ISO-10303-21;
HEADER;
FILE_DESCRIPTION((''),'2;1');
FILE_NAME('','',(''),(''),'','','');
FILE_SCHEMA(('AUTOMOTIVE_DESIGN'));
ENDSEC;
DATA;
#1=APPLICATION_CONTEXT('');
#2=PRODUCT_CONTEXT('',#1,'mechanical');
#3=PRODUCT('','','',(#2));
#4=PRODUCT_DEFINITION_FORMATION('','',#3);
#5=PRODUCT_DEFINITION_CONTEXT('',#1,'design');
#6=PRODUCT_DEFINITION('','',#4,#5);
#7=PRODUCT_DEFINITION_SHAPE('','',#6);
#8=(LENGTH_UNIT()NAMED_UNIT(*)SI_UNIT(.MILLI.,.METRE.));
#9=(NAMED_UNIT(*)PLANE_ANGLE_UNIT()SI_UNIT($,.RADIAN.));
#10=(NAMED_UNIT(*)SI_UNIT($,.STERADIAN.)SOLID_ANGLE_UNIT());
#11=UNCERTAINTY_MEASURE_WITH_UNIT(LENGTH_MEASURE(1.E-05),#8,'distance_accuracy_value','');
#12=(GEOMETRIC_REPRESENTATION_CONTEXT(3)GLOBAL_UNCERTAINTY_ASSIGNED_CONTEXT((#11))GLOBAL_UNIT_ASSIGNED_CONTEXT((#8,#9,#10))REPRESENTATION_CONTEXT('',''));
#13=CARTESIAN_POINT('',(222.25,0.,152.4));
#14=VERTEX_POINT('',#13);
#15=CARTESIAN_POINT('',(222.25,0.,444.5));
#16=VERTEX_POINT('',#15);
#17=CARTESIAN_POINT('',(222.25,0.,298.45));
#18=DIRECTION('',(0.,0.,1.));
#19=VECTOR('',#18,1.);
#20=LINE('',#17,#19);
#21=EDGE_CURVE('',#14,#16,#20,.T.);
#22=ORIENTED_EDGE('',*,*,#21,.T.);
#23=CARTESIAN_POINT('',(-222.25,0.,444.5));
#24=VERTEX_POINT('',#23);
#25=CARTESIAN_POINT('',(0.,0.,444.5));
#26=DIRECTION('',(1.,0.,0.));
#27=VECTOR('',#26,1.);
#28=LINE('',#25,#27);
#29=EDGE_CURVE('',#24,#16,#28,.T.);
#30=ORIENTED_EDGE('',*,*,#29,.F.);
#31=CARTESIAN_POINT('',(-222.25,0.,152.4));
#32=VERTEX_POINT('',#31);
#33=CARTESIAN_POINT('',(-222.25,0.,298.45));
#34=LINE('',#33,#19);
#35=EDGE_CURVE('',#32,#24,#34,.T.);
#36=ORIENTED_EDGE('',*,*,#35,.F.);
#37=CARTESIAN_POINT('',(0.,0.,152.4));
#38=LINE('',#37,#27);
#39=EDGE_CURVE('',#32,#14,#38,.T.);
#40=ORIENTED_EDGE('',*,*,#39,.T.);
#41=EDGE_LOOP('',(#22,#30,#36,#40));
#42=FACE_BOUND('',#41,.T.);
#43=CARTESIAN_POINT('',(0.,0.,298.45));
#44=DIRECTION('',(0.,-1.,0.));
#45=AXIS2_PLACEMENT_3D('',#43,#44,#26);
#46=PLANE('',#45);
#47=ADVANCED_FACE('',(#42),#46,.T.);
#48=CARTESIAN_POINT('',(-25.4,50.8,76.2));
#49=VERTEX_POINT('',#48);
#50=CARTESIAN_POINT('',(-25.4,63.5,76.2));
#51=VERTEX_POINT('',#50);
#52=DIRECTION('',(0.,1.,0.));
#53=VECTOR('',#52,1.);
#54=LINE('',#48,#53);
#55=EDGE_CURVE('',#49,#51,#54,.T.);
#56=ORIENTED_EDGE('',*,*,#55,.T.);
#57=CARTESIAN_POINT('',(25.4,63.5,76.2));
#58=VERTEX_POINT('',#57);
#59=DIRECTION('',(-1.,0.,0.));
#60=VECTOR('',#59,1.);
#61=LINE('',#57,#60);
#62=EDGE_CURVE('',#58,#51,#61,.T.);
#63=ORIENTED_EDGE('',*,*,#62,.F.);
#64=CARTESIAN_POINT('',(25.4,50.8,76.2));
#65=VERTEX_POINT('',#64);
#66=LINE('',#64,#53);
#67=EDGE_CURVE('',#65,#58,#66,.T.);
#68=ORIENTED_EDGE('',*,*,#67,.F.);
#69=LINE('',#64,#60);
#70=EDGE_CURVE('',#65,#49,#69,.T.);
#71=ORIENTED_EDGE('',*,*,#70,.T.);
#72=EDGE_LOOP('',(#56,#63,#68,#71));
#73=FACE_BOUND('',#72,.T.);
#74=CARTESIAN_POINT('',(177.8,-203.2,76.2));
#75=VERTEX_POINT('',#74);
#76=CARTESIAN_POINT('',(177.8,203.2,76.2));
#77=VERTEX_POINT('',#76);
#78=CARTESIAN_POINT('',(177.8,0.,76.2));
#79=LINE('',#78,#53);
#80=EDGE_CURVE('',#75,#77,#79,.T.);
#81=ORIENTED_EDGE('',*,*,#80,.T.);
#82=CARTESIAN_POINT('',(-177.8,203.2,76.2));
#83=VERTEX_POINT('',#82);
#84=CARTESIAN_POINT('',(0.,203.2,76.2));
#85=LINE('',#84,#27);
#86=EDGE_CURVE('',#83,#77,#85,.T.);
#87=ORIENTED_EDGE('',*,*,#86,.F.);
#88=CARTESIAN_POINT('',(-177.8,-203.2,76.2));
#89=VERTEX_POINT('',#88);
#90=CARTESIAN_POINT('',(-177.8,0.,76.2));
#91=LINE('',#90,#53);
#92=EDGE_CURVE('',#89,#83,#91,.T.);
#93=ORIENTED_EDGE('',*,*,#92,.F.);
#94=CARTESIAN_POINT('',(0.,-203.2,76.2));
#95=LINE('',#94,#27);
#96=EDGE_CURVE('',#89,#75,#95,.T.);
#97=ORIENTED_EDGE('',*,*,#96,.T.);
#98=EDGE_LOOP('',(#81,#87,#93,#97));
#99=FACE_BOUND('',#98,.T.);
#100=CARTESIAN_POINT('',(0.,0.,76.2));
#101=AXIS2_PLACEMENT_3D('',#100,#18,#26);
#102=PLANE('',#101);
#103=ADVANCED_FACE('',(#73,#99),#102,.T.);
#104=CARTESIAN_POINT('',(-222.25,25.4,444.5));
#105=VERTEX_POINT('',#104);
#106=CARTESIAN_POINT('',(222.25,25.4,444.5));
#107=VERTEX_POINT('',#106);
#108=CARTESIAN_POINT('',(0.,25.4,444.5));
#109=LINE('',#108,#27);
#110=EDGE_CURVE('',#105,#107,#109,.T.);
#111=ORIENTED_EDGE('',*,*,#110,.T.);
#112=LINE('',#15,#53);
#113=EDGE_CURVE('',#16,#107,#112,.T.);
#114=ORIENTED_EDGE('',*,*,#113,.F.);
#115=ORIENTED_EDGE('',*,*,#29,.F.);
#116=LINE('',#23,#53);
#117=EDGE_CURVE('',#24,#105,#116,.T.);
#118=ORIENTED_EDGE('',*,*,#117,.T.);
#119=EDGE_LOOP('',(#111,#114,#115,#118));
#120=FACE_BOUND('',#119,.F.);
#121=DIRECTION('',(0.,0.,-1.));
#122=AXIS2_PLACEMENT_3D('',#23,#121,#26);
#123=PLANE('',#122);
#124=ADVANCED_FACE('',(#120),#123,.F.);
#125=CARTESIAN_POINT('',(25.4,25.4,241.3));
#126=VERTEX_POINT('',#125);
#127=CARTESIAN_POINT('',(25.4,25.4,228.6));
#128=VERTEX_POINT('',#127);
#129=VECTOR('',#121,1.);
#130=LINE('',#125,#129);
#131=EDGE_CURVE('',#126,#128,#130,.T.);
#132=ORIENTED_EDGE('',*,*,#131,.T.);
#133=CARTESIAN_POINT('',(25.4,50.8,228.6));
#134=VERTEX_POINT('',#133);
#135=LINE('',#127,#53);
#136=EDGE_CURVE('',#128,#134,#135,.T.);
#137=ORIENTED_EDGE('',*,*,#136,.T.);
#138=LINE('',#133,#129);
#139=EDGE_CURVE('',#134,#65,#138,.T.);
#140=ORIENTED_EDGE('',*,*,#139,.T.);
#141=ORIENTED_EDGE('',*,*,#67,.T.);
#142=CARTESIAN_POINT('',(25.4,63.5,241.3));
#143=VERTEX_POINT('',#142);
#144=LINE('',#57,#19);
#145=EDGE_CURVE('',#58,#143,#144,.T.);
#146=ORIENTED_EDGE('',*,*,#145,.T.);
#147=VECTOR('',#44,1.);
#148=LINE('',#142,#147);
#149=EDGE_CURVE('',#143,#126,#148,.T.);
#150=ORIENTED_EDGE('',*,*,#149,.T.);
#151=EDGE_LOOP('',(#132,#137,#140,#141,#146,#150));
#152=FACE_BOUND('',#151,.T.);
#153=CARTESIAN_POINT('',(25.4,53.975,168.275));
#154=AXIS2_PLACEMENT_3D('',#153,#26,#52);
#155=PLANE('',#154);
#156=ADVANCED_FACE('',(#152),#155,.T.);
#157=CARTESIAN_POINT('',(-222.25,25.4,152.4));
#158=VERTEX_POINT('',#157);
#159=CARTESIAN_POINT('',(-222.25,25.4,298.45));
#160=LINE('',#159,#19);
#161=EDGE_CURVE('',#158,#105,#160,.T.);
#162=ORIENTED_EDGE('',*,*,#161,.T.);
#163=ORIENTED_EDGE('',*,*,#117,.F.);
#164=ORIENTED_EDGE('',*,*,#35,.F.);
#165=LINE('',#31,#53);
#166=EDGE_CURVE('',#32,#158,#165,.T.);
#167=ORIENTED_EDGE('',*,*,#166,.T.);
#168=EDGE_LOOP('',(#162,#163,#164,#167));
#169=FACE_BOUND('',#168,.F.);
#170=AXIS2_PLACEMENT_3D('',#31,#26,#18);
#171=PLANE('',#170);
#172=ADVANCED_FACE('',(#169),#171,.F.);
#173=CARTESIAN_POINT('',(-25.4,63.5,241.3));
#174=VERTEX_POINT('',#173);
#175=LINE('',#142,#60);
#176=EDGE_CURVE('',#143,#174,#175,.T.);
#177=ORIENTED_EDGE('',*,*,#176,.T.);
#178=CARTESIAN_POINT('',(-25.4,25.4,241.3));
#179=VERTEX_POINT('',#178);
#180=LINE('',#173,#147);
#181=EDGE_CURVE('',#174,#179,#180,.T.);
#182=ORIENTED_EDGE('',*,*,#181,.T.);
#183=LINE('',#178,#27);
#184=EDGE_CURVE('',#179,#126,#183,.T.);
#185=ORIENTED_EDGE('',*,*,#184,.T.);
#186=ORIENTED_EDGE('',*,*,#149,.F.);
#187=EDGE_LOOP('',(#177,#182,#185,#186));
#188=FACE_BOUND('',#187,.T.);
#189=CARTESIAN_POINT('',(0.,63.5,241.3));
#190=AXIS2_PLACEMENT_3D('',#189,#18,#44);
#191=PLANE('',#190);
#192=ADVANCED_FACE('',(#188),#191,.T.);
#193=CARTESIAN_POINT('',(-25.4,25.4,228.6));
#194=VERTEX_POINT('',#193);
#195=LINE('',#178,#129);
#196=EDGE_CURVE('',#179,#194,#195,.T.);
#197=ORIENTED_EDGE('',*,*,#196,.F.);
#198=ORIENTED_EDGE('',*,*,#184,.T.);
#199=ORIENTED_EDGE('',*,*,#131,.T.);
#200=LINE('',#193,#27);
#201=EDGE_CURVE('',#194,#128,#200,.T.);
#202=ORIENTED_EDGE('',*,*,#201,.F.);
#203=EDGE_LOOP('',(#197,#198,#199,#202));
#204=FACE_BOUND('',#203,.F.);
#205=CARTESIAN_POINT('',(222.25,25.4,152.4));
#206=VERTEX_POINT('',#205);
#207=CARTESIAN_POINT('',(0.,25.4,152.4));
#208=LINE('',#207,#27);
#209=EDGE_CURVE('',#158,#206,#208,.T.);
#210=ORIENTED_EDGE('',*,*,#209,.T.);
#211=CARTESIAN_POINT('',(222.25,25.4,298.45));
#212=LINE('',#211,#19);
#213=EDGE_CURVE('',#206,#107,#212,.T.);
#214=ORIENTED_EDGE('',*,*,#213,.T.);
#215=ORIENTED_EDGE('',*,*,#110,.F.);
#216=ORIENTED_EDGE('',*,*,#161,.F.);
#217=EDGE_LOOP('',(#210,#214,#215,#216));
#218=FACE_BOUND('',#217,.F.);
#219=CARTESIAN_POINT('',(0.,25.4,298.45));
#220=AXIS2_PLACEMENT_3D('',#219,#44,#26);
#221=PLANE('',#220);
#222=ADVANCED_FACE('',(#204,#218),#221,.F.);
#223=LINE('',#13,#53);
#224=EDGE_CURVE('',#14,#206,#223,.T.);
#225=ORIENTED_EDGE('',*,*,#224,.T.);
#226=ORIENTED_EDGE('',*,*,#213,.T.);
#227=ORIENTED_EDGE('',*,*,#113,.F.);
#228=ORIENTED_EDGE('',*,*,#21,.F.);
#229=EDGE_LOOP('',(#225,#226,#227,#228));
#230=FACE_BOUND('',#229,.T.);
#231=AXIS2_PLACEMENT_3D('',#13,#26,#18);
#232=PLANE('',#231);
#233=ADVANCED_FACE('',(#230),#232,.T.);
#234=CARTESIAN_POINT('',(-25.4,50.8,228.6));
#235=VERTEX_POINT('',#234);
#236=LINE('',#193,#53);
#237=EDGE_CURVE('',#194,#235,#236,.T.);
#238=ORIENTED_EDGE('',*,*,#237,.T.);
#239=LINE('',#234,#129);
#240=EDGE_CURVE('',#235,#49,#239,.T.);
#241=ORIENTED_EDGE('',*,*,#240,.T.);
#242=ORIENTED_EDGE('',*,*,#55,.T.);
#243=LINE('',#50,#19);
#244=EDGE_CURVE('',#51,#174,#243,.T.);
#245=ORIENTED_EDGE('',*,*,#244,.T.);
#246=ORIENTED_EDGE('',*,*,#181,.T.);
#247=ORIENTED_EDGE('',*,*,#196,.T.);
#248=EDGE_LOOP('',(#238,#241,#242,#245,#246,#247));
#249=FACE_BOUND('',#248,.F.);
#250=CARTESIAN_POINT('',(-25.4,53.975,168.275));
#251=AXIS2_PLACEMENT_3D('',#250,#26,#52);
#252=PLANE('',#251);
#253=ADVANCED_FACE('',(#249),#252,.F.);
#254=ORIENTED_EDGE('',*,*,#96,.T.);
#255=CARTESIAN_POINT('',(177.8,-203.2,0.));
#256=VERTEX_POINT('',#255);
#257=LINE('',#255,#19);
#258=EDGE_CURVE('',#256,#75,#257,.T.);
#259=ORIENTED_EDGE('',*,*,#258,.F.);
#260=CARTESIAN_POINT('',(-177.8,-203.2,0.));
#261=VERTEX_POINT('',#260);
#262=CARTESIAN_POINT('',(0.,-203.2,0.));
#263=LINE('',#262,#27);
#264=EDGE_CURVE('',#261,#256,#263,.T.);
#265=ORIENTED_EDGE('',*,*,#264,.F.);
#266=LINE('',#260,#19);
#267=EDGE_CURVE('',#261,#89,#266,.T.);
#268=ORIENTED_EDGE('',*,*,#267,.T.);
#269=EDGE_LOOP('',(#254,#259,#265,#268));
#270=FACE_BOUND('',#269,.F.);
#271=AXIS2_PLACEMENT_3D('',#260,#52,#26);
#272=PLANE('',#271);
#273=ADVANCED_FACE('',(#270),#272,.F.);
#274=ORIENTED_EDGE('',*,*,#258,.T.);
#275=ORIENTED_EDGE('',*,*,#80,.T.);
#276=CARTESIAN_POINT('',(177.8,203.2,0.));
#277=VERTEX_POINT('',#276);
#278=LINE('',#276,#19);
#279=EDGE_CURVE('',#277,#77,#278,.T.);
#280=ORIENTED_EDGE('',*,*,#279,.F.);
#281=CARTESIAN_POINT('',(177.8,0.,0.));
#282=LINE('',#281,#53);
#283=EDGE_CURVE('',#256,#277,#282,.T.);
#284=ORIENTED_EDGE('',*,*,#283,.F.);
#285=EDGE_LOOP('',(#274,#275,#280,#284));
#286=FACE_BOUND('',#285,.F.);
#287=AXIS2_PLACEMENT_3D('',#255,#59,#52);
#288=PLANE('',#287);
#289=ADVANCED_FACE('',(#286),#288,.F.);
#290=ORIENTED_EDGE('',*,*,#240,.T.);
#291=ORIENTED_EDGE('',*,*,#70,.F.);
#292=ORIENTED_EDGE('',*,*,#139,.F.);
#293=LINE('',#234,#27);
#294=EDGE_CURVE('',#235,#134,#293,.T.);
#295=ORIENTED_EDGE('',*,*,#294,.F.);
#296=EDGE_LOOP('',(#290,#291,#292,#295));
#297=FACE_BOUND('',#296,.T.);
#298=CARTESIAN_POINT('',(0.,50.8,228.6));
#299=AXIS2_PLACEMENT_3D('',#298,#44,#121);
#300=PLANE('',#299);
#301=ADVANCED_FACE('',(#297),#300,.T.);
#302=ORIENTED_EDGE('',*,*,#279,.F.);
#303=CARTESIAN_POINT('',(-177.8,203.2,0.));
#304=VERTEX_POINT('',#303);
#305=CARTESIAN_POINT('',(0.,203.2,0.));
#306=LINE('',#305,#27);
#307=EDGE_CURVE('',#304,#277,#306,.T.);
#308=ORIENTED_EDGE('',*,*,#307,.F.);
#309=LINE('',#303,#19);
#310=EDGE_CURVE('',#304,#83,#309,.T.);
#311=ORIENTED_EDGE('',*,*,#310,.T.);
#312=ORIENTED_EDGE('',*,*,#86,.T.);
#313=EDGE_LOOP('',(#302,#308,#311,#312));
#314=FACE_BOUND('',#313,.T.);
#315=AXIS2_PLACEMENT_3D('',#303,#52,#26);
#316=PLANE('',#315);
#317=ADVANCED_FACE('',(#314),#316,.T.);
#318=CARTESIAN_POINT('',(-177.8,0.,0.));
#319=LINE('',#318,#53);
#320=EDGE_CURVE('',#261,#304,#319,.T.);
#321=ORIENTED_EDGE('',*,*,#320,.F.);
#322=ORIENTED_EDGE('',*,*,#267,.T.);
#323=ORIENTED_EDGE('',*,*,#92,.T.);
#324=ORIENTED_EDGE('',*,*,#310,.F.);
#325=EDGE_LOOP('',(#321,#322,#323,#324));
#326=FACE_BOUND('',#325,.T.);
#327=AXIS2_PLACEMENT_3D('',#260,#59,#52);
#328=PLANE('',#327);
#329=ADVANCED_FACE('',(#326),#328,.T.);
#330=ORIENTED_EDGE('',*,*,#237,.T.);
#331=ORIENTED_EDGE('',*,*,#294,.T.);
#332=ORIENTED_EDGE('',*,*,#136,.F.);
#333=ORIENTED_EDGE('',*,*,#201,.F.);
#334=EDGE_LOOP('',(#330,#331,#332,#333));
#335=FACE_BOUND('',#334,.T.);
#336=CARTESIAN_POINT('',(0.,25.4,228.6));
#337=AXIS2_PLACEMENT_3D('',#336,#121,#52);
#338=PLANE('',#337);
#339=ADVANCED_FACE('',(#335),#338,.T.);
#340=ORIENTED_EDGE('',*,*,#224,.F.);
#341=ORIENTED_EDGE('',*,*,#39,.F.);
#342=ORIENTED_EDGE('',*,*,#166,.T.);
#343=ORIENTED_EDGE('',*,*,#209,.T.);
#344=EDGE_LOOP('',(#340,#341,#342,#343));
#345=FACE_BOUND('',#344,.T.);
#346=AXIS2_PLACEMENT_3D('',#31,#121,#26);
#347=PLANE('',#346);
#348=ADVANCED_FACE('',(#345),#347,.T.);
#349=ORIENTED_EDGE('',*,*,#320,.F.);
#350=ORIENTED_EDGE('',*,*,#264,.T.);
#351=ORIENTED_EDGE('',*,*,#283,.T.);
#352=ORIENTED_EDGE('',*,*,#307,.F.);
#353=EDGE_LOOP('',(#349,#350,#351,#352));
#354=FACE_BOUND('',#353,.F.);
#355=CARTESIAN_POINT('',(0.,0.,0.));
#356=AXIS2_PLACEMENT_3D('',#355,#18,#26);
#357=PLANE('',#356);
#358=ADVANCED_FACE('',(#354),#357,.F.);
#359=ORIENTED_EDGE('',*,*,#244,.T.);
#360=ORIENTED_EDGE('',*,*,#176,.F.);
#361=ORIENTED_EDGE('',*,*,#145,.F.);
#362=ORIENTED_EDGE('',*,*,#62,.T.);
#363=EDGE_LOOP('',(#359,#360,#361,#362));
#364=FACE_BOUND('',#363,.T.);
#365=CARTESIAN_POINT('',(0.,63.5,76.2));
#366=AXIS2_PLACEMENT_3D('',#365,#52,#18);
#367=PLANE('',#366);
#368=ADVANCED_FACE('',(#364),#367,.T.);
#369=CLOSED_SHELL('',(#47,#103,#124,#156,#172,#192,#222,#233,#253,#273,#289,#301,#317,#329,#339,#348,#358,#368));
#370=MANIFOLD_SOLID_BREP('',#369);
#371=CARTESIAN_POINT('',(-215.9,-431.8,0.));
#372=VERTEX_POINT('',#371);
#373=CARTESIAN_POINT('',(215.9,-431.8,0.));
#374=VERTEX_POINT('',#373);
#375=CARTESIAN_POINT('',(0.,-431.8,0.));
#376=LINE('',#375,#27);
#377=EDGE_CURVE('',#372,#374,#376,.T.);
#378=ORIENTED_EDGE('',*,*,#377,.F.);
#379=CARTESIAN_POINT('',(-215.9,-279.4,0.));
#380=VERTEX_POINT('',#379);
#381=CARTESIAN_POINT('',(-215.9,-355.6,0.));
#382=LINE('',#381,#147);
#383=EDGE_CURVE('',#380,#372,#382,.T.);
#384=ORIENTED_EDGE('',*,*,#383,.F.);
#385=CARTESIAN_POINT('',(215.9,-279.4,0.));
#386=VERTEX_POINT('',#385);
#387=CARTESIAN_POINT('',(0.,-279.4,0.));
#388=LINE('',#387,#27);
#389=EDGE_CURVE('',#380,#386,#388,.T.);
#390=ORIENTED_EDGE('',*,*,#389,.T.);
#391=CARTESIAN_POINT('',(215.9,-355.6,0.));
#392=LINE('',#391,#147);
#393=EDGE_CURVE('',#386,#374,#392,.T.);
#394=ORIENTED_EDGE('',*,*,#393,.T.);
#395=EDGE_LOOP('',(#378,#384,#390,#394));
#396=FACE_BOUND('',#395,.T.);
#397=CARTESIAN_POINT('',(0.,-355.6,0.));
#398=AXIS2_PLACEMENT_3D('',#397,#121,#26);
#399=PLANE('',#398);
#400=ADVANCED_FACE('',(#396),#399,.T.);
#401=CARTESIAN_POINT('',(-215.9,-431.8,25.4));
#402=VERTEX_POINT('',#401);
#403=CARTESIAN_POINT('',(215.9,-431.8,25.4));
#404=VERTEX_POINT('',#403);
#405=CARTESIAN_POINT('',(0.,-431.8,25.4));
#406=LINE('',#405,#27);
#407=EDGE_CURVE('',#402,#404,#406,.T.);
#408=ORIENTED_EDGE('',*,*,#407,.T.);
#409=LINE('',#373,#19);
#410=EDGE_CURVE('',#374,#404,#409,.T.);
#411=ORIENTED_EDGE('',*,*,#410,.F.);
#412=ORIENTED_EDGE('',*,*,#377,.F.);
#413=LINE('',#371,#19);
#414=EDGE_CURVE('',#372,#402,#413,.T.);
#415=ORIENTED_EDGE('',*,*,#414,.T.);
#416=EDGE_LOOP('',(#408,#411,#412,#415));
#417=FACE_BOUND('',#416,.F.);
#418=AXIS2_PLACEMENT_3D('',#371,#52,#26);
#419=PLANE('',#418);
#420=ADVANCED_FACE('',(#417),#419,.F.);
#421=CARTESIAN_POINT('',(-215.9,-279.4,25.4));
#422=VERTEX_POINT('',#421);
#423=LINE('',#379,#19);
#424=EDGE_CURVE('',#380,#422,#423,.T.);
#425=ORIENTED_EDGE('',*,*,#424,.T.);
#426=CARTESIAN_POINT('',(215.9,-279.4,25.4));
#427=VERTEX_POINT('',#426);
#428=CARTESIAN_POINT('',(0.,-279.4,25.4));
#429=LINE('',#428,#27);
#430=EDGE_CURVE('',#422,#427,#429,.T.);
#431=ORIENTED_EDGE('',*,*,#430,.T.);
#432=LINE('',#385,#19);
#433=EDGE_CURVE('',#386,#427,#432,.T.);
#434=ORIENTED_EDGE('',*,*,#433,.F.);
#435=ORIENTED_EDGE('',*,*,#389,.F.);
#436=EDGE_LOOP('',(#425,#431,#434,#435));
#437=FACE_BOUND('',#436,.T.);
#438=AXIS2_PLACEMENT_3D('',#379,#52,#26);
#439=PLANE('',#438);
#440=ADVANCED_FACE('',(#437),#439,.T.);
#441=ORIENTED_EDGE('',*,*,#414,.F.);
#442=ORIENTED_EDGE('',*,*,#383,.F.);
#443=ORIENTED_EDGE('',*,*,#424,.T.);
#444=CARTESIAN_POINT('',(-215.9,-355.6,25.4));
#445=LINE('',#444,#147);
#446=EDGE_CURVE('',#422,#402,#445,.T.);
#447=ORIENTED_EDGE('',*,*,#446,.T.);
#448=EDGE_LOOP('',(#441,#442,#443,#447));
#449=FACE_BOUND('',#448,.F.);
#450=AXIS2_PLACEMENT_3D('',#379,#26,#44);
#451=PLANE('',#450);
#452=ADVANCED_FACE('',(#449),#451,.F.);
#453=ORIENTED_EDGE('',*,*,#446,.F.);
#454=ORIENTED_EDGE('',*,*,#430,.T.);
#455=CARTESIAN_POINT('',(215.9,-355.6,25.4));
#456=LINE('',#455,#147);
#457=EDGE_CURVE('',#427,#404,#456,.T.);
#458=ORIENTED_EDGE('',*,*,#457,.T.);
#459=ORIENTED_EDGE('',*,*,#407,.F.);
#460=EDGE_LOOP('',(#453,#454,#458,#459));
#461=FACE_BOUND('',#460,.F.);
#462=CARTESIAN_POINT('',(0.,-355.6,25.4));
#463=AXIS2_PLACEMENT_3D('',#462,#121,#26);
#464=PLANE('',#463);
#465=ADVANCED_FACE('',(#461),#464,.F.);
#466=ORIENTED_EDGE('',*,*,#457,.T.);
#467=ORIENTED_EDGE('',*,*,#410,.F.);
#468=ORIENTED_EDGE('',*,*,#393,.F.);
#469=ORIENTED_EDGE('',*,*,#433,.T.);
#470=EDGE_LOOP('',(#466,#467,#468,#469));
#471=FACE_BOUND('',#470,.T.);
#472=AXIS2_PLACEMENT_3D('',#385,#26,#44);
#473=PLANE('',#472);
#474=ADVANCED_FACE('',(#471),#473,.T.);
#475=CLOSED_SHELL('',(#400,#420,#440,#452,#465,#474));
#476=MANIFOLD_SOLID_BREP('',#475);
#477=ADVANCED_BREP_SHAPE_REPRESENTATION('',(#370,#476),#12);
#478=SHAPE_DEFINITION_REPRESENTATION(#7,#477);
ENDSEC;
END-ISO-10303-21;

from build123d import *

# Parameters (mm, degrees)
F0_W     = 355.6
F0_H     = 406.4
F1_DEPTH = 76.2
F3_DEPTH = 25.4
F4_W     = 444.5
F4_H     = 292.1
F5_DEPTH = 25.4
F7_W     = 431.8
F7_H     = 152.4
F8_DEPTH = 25.4


with BuildPart() as f1:
    # F0 (on Top) → F1 (new body)
    with BuildSketch(Plane.XY):
        Rectangle(F0_W, F0_H)
    extrude(amount=F1_DEPTH)

    # F2 (on Right) → F3 (join, symmetric)
    with BuildSketch(Plane.YZ):
        Polygon((63.5, 241.3), (25.4, 241.3), (25.4, 228.6), (50.8, 228.6), (50.8, 76.2), (63.5, 76.2), align=None)
    extrude(amount=F3_DEPTH, both=True)

    # F4 (on Front) → F5 (join)
    with BuildSketch(Plane.XZ):
        with Locations((0, 298.45)):
            Rectangle(F4_W, F4_H)
    extrude(amount=-F5_DEPTH)


with BuildPart() as f8:
    # F7 (on offset) → F8 (new body)
    with BuildSketch(Plane(origin=(0, 0, 0), x_dir=(1, 0, 0), z_dir=(0, 0, -1))):
        with Locations((0, 355.6)):
            Rectangle(F7_W, F7_H)
    extrude(amount=-F8_DEPTH)


solid = Compound([f1.part, f8.part])
